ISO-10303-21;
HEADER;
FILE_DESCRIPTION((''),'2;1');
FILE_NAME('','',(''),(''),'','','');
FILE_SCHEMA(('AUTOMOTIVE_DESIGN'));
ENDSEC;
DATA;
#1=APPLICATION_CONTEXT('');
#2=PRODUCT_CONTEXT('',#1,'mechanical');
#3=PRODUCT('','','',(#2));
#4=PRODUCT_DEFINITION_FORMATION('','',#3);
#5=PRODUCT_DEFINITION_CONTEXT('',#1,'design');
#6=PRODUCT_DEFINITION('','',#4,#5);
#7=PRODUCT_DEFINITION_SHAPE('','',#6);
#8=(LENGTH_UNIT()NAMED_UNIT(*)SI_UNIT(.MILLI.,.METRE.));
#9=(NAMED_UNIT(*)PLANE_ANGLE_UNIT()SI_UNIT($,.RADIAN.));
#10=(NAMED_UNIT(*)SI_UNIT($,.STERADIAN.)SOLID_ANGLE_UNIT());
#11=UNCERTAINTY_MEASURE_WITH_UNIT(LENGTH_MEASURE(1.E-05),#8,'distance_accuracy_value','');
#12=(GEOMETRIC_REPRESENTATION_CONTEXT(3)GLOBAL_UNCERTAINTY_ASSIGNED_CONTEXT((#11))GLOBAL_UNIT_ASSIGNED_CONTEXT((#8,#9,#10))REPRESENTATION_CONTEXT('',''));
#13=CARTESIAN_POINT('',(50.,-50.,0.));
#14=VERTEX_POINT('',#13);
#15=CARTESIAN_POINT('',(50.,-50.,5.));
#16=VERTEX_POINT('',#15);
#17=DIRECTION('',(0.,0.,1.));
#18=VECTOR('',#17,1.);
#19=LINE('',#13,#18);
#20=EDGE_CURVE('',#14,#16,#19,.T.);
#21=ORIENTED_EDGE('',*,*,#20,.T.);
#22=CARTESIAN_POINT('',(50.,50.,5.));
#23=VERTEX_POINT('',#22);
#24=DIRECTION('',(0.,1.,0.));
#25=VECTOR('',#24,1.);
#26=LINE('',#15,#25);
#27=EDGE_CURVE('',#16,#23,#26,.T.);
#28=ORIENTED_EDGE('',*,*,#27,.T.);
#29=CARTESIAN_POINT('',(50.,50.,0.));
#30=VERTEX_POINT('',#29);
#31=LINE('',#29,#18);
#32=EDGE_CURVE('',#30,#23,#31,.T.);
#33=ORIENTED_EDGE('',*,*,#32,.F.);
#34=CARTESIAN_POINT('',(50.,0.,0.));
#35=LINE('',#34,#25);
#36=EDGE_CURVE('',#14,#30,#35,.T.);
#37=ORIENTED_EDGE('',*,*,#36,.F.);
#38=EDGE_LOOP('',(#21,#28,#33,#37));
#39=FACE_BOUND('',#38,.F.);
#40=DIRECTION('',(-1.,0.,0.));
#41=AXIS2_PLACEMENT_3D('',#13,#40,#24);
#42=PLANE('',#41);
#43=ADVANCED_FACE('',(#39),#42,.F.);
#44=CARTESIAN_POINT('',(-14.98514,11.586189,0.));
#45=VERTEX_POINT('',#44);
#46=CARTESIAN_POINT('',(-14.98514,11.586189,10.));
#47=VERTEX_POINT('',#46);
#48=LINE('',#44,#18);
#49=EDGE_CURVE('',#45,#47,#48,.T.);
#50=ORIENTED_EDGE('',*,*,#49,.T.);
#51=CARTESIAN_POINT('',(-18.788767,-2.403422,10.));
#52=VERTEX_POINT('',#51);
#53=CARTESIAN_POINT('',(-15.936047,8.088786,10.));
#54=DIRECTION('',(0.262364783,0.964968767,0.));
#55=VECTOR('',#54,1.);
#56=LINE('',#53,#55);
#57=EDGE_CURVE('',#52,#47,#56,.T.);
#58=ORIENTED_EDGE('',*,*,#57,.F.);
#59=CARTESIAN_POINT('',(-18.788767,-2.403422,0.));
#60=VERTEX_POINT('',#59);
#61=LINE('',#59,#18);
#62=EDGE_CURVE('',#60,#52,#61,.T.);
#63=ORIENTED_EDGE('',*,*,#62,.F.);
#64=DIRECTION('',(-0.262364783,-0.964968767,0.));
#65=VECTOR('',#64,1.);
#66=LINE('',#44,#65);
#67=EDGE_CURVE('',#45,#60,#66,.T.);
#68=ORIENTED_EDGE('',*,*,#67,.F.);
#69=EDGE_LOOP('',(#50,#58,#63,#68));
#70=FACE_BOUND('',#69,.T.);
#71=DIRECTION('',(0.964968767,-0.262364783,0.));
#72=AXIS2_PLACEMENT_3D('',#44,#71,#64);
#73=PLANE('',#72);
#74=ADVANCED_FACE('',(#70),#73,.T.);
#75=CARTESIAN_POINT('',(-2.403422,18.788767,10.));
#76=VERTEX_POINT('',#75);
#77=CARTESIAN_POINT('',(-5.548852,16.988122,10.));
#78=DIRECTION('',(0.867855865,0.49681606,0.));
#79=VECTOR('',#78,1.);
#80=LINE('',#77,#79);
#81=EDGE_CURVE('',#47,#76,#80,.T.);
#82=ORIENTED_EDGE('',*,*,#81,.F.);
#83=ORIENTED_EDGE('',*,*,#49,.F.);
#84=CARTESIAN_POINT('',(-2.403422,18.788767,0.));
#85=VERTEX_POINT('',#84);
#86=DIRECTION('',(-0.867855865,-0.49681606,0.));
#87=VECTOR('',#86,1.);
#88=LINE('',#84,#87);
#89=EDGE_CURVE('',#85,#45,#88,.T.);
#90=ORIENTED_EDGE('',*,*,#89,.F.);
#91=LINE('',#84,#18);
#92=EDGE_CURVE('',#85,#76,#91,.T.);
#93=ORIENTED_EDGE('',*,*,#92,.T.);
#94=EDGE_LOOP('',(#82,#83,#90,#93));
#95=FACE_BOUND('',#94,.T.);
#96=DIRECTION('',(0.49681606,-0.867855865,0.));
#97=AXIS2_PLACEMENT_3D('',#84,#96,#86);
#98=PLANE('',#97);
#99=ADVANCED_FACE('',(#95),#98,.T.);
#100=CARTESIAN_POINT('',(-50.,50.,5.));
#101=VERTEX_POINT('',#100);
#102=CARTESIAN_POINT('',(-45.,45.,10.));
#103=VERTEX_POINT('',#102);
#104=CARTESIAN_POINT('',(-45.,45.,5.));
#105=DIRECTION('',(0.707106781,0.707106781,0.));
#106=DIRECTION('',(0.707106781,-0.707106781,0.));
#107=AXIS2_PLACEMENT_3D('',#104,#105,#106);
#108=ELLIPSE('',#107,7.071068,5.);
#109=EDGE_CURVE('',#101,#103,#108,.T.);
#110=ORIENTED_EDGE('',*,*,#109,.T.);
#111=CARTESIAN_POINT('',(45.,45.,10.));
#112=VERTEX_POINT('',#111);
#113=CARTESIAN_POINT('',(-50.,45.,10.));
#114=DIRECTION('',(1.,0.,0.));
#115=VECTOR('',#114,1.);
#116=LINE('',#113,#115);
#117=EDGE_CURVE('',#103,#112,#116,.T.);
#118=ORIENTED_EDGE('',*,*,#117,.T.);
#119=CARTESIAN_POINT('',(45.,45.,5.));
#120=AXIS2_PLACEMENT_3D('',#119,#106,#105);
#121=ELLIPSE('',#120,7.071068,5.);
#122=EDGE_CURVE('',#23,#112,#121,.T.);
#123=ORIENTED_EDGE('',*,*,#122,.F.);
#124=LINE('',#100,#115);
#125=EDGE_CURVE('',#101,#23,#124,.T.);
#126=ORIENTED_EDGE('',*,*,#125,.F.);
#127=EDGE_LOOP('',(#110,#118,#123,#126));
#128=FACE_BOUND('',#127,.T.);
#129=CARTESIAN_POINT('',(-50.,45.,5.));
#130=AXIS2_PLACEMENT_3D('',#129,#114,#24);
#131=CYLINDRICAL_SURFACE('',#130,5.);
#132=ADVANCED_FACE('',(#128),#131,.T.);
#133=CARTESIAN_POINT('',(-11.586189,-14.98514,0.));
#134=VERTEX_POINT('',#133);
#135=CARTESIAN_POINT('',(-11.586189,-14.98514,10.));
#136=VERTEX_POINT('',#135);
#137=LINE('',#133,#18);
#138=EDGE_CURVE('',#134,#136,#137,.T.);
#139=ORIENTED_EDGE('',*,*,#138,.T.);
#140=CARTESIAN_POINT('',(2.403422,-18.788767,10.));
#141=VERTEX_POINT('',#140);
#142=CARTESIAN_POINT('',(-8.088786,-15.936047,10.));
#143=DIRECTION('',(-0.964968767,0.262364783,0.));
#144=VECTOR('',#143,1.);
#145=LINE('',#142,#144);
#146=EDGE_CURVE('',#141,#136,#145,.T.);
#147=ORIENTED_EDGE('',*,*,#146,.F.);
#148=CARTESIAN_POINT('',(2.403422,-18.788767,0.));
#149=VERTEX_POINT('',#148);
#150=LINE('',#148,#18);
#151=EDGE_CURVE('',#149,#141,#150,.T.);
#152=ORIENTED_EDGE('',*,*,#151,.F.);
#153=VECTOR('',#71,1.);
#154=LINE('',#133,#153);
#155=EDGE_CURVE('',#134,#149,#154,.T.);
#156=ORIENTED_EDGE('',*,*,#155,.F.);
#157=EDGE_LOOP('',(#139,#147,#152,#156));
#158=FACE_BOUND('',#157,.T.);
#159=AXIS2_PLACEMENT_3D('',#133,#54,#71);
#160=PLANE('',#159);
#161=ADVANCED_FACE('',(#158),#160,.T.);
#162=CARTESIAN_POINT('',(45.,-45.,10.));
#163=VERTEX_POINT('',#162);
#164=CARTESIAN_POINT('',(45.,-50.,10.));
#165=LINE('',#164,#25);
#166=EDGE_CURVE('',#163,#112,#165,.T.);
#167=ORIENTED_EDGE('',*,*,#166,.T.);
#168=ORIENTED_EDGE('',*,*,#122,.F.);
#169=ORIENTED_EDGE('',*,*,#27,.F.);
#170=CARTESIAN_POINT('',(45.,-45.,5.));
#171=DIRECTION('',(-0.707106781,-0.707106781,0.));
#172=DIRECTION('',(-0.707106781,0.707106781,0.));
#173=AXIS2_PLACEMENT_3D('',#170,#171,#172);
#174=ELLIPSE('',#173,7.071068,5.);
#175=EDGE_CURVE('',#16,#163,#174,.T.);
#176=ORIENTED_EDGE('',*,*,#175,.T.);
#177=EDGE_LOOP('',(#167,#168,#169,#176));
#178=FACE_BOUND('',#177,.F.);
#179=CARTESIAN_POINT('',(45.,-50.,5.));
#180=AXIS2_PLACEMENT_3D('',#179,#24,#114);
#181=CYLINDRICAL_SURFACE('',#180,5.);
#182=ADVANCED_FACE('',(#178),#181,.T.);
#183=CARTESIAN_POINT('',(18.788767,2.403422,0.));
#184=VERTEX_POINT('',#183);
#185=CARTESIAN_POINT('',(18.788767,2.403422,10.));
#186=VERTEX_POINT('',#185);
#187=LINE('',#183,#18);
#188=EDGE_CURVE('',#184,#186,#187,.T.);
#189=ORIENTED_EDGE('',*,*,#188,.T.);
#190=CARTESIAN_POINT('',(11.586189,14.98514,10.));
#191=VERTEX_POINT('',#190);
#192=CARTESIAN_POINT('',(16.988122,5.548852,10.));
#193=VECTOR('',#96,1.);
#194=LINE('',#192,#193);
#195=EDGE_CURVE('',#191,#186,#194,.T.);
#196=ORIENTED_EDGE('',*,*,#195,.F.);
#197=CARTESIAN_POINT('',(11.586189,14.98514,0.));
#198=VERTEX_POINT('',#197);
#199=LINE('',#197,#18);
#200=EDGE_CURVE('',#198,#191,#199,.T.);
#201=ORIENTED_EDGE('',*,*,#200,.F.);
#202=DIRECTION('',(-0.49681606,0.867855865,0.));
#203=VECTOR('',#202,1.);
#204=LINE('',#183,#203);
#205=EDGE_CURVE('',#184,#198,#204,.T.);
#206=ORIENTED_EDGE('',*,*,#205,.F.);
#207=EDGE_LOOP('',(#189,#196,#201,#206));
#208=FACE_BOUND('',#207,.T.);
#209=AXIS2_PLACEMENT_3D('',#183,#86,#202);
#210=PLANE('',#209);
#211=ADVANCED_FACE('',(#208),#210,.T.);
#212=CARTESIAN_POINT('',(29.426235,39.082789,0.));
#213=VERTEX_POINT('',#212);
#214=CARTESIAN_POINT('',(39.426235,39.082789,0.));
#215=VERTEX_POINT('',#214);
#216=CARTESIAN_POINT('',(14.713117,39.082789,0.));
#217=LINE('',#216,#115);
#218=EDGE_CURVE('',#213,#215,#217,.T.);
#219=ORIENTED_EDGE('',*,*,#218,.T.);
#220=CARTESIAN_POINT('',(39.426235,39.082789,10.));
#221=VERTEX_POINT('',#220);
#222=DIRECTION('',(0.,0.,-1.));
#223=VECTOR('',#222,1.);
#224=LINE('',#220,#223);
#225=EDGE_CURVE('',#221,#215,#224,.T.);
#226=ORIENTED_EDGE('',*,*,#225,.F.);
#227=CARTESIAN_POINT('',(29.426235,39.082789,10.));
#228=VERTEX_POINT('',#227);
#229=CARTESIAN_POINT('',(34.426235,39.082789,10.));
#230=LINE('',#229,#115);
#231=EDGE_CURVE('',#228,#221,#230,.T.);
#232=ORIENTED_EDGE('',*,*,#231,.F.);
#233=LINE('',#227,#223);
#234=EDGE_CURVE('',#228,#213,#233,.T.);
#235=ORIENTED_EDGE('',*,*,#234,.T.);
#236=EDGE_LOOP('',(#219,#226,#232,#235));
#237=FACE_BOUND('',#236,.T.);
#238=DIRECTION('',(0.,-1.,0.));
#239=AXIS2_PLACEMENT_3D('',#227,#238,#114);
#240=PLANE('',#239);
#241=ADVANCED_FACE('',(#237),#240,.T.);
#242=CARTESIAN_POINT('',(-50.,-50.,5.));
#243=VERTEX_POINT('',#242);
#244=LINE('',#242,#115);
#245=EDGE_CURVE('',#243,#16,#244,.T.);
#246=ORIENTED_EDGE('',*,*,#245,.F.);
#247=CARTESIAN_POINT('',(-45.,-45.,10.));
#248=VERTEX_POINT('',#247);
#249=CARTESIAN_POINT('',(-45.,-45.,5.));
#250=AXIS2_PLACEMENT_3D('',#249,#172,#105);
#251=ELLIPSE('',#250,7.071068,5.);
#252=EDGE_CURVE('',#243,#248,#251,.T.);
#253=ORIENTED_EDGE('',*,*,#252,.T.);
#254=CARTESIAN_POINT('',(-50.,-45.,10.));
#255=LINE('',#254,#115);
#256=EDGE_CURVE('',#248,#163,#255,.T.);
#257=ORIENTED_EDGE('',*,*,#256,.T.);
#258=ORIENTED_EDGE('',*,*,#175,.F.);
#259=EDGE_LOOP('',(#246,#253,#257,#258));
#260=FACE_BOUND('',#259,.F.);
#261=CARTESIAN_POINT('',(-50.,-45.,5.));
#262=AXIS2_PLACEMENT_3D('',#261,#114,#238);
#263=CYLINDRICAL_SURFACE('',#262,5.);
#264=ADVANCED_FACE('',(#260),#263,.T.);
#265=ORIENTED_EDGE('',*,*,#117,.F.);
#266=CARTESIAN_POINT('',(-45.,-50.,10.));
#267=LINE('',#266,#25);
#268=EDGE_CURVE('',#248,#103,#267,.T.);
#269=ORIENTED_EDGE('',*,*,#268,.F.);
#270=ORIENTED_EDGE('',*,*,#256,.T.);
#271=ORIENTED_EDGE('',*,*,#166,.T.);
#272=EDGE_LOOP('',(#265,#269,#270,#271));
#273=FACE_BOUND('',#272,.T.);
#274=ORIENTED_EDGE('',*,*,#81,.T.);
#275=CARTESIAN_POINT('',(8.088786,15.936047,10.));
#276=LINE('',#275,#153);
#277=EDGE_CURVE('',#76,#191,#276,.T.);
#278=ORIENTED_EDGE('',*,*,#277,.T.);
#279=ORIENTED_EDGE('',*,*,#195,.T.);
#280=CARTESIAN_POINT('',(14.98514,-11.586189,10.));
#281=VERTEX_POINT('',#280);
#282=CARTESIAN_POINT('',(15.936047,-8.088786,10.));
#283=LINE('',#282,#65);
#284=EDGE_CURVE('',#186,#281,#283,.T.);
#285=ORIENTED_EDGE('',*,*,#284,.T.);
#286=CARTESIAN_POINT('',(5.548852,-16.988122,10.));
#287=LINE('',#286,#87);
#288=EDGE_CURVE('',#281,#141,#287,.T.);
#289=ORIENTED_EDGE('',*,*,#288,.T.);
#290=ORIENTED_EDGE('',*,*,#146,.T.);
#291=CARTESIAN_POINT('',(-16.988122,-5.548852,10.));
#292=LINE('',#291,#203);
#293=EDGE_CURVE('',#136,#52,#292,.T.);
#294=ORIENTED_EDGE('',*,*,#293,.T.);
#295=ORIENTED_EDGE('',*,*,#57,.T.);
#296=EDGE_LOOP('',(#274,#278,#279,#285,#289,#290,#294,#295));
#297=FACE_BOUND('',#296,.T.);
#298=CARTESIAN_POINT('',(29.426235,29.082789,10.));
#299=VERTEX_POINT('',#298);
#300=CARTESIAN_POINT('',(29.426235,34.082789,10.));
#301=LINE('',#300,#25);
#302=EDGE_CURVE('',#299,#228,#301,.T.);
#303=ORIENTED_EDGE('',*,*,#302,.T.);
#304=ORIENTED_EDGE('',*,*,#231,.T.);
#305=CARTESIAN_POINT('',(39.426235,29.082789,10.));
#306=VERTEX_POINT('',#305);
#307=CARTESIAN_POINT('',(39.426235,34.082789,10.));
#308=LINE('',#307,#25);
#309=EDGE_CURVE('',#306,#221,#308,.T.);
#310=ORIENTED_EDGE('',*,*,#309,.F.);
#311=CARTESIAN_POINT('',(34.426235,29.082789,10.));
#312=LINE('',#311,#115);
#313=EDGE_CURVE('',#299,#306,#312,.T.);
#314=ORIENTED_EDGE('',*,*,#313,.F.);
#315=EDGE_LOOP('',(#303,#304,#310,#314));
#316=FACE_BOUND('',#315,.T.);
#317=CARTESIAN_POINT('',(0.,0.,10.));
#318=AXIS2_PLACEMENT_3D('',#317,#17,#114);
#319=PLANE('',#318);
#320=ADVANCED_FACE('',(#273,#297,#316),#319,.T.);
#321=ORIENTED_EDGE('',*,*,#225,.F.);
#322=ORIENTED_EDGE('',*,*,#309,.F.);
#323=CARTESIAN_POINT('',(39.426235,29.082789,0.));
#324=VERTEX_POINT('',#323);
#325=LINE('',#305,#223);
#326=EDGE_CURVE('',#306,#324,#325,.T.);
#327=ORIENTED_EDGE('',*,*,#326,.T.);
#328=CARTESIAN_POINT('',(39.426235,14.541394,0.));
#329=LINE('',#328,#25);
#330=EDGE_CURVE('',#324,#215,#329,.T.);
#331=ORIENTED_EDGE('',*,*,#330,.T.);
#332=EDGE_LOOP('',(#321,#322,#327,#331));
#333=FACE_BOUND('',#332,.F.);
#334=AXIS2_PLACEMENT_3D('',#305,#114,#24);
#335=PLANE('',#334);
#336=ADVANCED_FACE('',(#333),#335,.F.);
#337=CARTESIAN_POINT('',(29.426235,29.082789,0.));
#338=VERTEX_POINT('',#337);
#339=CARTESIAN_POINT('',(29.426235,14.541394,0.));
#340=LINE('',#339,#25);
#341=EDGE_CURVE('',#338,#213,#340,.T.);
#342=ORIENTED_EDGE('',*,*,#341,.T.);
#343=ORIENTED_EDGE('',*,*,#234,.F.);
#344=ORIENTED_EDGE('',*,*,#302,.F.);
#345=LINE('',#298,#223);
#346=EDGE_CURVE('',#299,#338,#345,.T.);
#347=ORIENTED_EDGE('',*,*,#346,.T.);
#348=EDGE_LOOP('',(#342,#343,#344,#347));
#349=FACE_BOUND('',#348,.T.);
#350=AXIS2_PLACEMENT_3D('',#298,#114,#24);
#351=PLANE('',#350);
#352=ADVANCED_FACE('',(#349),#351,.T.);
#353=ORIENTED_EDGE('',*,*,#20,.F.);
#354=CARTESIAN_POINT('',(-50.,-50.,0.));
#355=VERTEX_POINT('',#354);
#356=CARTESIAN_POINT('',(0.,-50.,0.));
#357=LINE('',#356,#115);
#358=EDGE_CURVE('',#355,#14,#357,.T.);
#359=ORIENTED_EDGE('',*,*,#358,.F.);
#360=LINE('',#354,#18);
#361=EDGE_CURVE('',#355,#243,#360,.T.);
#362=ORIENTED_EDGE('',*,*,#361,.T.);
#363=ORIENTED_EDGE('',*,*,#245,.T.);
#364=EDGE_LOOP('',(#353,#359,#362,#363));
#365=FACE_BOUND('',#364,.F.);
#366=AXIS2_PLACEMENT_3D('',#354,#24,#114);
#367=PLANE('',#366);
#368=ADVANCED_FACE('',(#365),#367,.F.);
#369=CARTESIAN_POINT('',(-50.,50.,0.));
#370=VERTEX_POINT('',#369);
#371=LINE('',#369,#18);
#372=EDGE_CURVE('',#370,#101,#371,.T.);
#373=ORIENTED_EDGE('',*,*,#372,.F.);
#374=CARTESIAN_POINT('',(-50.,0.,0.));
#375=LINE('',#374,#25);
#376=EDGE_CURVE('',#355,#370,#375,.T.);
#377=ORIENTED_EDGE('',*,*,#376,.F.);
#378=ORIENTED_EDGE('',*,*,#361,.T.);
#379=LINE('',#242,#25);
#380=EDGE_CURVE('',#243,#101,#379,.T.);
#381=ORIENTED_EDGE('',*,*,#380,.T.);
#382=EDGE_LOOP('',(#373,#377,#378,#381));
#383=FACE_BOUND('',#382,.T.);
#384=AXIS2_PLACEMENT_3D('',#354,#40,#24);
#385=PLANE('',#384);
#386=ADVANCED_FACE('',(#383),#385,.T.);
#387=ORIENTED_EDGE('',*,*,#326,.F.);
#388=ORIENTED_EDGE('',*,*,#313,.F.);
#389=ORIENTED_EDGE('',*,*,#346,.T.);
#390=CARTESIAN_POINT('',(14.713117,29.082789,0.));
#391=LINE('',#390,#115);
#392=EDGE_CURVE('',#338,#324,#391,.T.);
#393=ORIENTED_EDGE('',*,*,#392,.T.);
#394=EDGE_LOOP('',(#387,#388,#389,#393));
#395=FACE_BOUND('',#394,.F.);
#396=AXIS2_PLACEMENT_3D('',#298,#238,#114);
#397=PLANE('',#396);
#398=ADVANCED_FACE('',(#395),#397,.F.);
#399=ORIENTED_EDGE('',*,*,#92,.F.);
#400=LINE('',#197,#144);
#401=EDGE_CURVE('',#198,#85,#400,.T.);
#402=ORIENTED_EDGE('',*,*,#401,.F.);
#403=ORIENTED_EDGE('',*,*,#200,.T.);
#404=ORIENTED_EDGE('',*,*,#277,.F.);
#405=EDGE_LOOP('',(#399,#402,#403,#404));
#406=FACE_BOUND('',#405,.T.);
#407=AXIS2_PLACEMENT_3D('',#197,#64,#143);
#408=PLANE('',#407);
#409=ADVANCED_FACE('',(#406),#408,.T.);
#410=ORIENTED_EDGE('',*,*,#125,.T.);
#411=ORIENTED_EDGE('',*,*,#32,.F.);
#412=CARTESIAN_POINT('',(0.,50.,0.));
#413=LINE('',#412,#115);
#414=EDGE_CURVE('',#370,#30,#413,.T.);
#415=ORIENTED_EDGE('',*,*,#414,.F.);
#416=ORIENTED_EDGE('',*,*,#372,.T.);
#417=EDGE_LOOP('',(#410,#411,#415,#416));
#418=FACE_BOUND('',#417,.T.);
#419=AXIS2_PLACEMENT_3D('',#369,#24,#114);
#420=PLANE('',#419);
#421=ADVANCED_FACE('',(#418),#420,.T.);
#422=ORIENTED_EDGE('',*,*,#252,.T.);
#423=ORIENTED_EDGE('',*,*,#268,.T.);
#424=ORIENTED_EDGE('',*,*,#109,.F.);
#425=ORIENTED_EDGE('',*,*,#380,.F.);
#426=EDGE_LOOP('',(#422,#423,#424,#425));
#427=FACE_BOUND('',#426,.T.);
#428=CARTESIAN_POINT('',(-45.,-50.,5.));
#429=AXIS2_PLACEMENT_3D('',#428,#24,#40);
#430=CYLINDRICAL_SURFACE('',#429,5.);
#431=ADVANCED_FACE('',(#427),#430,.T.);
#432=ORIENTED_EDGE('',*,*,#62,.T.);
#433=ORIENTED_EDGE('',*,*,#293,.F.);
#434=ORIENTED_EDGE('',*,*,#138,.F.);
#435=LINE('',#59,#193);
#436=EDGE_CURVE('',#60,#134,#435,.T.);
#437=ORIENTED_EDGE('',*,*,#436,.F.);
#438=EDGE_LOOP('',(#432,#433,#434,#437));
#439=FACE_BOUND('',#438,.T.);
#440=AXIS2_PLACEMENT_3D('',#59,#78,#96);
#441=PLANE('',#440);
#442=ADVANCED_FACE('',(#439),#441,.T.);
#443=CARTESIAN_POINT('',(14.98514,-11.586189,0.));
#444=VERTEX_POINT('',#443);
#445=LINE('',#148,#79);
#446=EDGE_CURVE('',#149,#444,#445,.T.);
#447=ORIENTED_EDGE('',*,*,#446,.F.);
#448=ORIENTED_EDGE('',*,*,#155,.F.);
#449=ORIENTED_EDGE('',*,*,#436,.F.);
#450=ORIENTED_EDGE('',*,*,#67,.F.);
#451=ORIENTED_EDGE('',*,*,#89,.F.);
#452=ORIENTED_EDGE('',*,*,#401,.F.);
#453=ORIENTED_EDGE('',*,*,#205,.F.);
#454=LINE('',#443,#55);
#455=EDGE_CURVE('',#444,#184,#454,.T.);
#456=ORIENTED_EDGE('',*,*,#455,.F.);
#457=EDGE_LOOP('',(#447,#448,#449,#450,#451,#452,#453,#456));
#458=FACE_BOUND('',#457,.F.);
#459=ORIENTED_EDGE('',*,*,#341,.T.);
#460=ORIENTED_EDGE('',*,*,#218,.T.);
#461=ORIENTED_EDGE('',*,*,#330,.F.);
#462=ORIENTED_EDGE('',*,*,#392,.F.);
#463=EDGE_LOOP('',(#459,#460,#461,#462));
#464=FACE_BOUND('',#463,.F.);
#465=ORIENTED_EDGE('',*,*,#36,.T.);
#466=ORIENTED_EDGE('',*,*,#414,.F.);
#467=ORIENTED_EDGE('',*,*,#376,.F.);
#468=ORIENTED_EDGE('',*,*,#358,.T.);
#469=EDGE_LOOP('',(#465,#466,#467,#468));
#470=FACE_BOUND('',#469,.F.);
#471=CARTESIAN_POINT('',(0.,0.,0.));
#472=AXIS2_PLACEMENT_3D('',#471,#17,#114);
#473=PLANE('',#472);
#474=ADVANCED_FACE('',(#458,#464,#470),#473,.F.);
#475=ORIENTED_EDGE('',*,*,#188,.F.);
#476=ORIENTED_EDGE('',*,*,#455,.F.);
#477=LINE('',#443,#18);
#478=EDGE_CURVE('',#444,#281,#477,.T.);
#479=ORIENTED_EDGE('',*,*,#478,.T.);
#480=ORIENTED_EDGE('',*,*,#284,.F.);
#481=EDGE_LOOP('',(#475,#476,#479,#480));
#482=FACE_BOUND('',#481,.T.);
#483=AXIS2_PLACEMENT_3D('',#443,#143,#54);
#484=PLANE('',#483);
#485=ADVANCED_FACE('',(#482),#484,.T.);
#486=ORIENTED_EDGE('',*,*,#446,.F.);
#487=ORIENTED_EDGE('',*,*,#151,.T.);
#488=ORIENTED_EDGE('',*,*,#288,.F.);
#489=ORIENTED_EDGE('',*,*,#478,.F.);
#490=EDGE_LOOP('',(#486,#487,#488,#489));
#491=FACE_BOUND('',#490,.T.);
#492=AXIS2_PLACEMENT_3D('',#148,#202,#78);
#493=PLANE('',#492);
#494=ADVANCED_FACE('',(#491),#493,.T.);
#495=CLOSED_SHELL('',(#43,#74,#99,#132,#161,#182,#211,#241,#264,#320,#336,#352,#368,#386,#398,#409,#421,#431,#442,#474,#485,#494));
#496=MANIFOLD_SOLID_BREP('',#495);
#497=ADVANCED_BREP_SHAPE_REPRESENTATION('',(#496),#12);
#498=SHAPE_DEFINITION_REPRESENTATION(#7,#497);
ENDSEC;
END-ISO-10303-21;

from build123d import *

# Parameters (mm, degrees)
F0_W     = 100
F0_H     = 100
F2_DEPTH = 10
F3_R     = 5
F4_DEPTH = 106.8
F5_W     = 10
F5_H     = 10
F6_DEPTH = 90.6


with BuildPart() as f2:
    # F0 (on Top) → F2 (new body)
    with BuildSketch(Plane.XY):
        Rectangle(F0_W, F0_H)
    extrude(amount=F2_DEPTH)

    # F3
    f3_edges = [f2.edges().sort_by_distance(p)[0] for p in [
        (50, 0, 10),
        (0, 50, 10),
        (-50, 0, 10),
        (0, -50, 10),
    ]]
    fillet(f3_edges, radius=F3_R)

    # F1 (on face) → F4 (cut)
    with BuildSketch(Plane.XY):
        Polygon((18.788767, 2.403422), (11.586189, 14.98514), (-2.403422, 18.788767), (-14.98514, 11.586189), (-18.788767, -2.403422), (-11.586189, -14.98514), (2.403422, -18.788767), (14.98514, -11.586189), align=None)
    extrude(amount=F4_DEPTH, mode=Mode.SUBTRACT)

    # F5 (on face) → F6 (cut)
    with BuildSketch(Plane.XY.offset(10)):
        with Locations((34.426235, 34.082789)):
            Rectangle(F5_W, F5_H)
    extrude(amount=-F6_DEPTH, mode=Mode.SUBTRACT)


solid = f2.part
